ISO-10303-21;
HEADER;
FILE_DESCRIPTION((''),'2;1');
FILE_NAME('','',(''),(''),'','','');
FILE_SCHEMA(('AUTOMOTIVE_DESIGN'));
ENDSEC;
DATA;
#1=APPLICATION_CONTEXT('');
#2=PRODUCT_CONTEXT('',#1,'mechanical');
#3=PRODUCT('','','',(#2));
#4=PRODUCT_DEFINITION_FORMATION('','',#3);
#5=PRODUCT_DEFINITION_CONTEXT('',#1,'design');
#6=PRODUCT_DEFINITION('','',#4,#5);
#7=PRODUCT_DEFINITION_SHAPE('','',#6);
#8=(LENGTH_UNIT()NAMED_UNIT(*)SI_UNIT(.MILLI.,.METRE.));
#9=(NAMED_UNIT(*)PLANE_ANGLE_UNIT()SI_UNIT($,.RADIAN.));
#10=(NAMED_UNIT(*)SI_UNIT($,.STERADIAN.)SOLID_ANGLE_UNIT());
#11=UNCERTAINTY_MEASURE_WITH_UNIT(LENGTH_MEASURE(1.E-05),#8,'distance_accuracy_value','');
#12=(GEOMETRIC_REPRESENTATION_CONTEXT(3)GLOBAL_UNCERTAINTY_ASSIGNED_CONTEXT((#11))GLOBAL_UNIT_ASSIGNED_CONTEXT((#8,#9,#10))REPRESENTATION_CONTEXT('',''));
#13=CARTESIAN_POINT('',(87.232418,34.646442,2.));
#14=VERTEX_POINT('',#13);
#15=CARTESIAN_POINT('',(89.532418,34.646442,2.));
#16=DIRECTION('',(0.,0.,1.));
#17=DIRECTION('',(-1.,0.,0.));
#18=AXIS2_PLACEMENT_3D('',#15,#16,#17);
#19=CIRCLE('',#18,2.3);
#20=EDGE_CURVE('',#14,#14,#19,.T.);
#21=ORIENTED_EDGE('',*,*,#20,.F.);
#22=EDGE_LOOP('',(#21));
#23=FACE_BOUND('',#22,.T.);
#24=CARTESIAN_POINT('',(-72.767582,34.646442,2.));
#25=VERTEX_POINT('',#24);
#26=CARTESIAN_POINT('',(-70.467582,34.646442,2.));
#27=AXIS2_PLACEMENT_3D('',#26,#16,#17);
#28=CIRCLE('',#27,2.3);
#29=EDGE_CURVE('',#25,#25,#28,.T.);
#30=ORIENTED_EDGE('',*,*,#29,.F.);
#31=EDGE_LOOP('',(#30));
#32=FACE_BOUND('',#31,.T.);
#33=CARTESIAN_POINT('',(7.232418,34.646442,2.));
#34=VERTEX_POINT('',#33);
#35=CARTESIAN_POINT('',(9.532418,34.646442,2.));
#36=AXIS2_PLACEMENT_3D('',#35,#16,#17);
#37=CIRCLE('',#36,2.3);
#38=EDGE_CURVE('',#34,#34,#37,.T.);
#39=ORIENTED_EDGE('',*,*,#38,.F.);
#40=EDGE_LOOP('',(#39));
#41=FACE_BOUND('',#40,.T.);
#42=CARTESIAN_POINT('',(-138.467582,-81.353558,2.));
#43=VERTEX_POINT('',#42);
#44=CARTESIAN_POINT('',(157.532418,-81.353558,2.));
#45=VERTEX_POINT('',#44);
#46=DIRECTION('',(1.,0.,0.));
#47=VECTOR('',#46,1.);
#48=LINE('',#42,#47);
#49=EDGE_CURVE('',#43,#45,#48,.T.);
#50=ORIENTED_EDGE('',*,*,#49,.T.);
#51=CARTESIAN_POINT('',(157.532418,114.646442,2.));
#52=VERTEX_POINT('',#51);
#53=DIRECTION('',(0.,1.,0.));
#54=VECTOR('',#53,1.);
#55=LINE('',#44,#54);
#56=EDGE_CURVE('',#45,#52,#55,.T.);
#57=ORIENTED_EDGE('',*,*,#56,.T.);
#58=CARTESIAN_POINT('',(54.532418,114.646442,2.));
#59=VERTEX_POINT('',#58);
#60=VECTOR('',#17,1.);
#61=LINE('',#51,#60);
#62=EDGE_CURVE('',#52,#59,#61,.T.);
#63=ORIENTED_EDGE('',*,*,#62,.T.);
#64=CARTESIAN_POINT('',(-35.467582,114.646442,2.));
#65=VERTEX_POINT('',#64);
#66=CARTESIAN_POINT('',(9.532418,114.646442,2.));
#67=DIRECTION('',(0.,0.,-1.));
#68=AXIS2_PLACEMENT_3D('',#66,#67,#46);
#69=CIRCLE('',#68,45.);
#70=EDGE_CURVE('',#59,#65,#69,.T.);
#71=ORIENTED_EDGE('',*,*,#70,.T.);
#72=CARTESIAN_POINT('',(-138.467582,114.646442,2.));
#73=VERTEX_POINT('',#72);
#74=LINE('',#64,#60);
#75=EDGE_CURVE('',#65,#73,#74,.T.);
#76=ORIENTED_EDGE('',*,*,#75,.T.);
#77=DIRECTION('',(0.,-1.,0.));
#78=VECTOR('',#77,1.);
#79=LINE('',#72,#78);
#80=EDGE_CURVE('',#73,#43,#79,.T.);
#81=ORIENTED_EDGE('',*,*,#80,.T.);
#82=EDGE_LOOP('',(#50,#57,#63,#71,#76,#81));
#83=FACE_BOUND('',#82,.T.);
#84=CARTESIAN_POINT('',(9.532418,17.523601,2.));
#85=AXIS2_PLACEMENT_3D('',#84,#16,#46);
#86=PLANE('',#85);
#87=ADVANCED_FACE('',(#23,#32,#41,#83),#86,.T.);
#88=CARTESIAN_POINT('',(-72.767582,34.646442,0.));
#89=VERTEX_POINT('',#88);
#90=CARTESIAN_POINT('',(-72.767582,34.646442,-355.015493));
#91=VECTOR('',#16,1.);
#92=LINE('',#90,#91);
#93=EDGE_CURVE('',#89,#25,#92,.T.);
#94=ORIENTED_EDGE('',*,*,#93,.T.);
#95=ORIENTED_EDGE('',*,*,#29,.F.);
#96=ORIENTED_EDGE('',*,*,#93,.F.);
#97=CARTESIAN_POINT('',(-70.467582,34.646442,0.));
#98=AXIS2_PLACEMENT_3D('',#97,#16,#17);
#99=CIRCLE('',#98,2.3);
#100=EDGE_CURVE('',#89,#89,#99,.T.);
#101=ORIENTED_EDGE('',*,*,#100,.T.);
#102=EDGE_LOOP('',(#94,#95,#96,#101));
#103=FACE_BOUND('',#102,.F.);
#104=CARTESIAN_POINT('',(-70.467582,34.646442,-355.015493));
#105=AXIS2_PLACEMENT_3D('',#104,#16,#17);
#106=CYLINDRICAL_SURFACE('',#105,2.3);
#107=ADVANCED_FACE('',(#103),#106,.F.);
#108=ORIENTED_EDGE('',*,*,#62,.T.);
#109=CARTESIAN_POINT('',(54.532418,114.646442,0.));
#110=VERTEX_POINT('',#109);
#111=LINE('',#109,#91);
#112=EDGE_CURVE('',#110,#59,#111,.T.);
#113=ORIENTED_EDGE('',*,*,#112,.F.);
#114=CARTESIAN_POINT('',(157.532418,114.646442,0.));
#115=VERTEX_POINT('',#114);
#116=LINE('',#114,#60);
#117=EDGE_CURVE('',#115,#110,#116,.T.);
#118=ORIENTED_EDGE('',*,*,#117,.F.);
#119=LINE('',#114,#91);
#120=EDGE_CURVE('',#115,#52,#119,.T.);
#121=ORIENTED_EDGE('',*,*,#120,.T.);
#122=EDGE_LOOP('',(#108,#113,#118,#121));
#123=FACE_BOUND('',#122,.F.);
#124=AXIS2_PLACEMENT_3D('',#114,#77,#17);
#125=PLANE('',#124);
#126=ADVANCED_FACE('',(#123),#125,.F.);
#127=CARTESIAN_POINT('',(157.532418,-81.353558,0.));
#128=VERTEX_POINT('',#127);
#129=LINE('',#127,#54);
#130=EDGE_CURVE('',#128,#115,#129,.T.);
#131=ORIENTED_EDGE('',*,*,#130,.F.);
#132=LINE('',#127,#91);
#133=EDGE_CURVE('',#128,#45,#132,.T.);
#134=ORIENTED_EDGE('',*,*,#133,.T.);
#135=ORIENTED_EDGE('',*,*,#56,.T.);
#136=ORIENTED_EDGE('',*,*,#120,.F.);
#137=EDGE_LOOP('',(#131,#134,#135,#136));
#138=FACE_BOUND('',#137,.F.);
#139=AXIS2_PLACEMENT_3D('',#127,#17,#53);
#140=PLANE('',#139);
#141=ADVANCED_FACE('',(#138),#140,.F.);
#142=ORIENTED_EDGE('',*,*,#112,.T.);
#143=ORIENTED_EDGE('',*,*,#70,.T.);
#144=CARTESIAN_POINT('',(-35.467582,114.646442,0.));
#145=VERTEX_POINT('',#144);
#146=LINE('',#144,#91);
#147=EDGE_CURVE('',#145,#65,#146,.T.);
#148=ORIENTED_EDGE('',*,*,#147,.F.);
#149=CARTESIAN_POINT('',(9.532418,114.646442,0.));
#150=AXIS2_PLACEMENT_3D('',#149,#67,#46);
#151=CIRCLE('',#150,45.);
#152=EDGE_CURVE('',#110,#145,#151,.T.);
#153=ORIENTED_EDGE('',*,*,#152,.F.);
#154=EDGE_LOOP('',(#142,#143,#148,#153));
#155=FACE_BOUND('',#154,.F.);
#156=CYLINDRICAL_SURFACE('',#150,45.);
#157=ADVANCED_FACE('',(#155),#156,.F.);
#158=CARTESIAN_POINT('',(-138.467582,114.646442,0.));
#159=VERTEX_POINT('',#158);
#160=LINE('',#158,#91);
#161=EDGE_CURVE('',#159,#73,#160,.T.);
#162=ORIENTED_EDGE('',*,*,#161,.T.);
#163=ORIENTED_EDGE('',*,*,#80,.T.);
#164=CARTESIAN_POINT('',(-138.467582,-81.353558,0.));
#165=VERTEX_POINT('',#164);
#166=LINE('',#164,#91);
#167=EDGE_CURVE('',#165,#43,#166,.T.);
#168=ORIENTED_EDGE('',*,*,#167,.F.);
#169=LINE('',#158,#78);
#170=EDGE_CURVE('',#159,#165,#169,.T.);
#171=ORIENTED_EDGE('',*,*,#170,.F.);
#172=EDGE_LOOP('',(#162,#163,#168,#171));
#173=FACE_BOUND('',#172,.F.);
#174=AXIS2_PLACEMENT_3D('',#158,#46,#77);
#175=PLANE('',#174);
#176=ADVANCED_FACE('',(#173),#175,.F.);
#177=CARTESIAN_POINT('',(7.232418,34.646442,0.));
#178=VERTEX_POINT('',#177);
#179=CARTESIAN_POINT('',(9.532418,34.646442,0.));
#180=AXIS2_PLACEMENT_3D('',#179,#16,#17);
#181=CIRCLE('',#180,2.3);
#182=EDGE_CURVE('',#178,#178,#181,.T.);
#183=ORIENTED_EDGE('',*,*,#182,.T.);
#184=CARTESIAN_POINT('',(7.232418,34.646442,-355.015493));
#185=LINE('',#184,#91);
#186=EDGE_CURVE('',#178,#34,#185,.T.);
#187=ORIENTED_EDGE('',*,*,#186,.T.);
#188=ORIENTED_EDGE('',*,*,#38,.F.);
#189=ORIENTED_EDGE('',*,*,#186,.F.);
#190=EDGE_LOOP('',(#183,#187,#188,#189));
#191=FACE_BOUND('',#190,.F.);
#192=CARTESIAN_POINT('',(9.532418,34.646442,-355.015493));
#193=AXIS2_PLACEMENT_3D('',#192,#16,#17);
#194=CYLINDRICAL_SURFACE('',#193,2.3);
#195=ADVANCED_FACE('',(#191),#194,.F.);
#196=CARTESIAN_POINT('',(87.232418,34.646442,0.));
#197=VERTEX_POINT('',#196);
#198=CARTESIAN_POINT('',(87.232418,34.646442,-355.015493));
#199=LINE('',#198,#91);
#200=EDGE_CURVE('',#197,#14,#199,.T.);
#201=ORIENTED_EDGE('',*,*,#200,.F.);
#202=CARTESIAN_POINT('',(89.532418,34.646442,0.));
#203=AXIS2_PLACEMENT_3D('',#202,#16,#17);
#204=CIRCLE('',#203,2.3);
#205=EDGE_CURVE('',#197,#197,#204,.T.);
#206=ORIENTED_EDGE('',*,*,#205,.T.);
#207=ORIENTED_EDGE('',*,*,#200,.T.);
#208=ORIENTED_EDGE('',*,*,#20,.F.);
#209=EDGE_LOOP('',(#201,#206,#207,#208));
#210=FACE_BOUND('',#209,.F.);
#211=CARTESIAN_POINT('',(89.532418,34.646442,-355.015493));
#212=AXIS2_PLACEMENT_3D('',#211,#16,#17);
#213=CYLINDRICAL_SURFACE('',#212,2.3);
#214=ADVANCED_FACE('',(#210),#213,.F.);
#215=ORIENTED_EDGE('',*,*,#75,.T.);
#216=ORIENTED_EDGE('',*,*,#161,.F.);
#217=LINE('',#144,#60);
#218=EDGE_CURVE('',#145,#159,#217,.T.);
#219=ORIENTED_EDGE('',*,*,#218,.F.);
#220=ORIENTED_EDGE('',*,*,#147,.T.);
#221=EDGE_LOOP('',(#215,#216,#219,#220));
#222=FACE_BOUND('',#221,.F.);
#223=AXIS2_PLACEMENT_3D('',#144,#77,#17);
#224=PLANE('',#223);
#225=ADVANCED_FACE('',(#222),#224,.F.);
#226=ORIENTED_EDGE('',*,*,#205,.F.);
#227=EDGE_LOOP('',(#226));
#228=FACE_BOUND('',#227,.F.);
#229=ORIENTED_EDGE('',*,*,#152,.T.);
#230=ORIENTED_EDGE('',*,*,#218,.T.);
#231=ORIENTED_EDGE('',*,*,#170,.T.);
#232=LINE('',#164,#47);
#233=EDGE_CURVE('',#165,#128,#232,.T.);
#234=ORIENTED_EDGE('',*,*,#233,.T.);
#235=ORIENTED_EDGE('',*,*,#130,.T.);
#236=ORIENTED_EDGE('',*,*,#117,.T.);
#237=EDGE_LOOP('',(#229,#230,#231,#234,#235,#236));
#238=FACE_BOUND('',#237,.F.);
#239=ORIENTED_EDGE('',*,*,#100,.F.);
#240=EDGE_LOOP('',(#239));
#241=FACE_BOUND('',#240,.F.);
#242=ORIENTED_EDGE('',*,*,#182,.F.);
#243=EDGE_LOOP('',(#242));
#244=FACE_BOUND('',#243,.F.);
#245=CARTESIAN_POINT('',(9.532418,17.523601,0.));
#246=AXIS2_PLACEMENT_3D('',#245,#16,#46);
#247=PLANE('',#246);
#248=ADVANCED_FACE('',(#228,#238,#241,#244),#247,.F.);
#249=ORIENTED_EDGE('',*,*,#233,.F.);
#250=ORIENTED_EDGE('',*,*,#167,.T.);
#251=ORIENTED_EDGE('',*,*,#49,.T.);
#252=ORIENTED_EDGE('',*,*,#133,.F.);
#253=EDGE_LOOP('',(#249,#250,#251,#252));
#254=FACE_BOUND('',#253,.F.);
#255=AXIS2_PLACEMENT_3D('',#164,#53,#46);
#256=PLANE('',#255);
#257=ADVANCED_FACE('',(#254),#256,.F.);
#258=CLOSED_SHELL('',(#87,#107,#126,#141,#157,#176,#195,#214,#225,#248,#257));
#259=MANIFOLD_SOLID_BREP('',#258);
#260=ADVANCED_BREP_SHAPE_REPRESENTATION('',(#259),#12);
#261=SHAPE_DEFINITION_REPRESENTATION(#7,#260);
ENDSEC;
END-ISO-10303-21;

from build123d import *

# Parameters (mm, degrees)
F1_DEPTH = 2
F2_D     = 4.6


with BuildPart() as f1:
    # F0 (on Top) → F1 (new body)
    with BuildSketch(Plane.XY):
        with BuildLine():
            Line((-35.467581898, 114.6464416253), (-138.467581898, 114.6464416253))
            Line((-138.467581898, 114.6464416253), (-138.467581898, -81.3535583747))
            Line((-138.467581898, -81.3535583747), (157.532418102, -81.3535583747))
            Line((157.532418102, -81.3535583747), (157.532418102, 114.6464416253))
            Line((157.532418102, 114.6464416253), (54.532418102, 114.6464416253))
            ThreePointArc((54.532418102, 114.6464416253), (9.532418102, 69.6464416253), (-35.467581898, 114.6464416253))
        make_face()
    extrude(amount=F1_DEPTH)

    # F2 (through all)
    with Locations(Plane(origin=(0, 0, 0), x_dir=(1, 0, 0), z_dir=(0, 0, -1))):
        with Locations((-70.467581898, -34.6464416253), (9.532418102, -34.6464416253), (89.532418102, -34.6464416253)):
            Hole(F2_D / 2)


solid = f1.part
